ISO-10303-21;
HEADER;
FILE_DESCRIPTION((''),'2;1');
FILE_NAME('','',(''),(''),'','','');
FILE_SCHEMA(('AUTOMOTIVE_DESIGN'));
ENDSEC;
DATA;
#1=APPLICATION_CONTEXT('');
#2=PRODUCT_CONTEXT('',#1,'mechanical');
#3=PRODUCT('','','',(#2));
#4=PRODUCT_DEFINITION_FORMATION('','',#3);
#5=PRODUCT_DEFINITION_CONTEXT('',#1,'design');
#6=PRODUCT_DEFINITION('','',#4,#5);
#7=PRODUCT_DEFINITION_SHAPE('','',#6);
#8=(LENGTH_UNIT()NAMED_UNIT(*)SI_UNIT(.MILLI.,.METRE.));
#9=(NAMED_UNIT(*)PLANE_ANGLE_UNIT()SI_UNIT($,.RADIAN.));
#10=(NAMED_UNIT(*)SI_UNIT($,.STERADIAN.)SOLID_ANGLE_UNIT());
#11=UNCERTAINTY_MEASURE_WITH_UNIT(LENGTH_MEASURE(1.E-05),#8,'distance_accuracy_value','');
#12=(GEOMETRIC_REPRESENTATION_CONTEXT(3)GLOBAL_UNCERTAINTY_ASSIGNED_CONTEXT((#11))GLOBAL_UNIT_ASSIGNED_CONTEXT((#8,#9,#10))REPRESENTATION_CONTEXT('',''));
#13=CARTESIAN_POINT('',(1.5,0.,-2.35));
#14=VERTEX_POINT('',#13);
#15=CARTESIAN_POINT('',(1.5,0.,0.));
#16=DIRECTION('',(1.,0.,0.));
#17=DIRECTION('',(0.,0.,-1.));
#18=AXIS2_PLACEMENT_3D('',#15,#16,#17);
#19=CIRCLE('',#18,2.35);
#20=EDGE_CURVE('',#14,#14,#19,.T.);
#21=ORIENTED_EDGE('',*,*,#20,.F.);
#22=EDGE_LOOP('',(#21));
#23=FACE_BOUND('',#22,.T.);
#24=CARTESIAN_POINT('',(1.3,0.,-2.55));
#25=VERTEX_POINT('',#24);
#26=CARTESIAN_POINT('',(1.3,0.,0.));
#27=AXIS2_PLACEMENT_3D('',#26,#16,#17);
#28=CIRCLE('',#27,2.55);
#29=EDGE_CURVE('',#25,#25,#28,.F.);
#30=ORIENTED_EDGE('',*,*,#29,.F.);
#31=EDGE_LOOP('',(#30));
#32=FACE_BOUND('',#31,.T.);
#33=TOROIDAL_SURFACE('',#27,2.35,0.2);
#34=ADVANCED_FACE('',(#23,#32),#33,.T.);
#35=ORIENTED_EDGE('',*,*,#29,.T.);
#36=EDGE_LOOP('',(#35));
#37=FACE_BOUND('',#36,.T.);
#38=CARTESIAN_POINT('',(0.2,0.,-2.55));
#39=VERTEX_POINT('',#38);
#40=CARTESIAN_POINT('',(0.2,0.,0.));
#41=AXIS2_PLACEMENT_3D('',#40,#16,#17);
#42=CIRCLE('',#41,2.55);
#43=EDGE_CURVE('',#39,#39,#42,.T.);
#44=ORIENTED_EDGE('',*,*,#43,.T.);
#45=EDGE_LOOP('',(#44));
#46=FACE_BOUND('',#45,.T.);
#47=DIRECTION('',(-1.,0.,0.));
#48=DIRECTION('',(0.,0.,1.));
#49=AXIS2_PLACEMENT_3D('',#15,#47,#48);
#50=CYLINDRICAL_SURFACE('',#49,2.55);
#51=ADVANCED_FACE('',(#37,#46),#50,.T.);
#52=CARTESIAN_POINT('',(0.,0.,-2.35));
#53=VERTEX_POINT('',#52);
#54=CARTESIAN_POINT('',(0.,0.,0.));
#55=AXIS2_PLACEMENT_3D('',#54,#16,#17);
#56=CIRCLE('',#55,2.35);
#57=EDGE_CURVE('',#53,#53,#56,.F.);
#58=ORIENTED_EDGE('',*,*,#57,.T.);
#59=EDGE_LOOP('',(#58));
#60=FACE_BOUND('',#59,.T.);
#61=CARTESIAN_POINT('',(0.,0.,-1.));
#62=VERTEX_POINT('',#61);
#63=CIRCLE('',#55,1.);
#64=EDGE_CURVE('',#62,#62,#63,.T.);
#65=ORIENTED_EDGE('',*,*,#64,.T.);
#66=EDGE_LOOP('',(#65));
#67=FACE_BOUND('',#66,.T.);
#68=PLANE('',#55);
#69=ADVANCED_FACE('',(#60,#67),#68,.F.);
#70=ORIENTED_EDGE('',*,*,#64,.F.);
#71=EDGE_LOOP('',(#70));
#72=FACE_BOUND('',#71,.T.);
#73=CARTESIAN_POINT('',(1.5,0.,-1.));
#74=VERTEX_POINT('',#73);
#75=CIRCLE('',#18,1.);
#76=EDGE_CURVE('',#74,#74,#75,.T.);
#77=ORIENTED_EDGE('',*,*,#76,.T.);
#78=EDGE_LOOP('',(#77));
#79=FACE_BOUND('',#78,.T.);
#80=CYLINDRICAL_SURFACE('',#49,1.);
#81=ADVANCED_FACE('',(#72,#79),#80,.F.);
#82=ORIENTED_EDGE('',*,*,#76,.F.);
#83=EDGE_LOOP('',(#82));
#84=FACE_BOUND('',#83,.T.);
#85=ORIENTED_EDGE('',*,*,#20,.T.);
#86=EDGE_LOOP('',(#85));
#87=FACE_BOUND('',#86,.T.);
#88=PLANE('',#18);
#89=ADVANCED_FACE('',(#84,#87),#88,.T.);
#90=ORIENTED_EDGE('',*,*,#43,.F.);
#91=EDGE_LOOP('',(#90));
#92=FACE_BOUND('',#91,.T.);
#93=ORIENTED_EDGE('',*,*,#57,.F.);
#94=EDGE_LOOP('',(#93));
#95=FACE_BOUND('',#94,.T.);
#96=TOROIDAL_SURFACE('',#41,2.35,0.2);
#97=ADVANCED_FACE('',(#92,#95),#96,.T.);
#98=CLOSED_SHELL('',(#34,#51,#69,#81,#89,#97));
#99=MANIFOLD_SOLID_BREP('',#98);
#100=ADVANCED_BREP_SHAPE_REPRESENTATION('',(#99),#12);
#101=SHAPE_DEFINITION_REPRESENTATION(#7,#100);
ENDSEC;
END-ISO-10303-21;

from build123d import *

# Parameters (mm, degrees)
SKETCH_1_R      = 2.55
SKETCH_1_R_2    = 1
EXTRUDE_1_DEPTH = 1.5
FILLET_1_R      = 0.2


with BuildPart() as part:
    # 草图1 → 凸台-拉伸1 (new body)
    with BuildSketch(Plane(origin=(0, 0, 0), x_dir=(0, 0, -1), z_dir=(1, 0, 0))):
        Circle(SKETCH_1_R)
        Circle(SKETCH_1_R_2, mode=Mode.SUBTRACT)
    extrude(amount=EXTRUDE_1_DEPTH)

    # 圆角1
    fillet_1_edges = [part.edges().sort_by_distance(p)[0] for p in [
        (0, 0, 2.55),
        (1.5, 0, 2.55),
    ]]
    fillet(fillet_1_edges, radius=FILLET_1_R)


solid = part.part
